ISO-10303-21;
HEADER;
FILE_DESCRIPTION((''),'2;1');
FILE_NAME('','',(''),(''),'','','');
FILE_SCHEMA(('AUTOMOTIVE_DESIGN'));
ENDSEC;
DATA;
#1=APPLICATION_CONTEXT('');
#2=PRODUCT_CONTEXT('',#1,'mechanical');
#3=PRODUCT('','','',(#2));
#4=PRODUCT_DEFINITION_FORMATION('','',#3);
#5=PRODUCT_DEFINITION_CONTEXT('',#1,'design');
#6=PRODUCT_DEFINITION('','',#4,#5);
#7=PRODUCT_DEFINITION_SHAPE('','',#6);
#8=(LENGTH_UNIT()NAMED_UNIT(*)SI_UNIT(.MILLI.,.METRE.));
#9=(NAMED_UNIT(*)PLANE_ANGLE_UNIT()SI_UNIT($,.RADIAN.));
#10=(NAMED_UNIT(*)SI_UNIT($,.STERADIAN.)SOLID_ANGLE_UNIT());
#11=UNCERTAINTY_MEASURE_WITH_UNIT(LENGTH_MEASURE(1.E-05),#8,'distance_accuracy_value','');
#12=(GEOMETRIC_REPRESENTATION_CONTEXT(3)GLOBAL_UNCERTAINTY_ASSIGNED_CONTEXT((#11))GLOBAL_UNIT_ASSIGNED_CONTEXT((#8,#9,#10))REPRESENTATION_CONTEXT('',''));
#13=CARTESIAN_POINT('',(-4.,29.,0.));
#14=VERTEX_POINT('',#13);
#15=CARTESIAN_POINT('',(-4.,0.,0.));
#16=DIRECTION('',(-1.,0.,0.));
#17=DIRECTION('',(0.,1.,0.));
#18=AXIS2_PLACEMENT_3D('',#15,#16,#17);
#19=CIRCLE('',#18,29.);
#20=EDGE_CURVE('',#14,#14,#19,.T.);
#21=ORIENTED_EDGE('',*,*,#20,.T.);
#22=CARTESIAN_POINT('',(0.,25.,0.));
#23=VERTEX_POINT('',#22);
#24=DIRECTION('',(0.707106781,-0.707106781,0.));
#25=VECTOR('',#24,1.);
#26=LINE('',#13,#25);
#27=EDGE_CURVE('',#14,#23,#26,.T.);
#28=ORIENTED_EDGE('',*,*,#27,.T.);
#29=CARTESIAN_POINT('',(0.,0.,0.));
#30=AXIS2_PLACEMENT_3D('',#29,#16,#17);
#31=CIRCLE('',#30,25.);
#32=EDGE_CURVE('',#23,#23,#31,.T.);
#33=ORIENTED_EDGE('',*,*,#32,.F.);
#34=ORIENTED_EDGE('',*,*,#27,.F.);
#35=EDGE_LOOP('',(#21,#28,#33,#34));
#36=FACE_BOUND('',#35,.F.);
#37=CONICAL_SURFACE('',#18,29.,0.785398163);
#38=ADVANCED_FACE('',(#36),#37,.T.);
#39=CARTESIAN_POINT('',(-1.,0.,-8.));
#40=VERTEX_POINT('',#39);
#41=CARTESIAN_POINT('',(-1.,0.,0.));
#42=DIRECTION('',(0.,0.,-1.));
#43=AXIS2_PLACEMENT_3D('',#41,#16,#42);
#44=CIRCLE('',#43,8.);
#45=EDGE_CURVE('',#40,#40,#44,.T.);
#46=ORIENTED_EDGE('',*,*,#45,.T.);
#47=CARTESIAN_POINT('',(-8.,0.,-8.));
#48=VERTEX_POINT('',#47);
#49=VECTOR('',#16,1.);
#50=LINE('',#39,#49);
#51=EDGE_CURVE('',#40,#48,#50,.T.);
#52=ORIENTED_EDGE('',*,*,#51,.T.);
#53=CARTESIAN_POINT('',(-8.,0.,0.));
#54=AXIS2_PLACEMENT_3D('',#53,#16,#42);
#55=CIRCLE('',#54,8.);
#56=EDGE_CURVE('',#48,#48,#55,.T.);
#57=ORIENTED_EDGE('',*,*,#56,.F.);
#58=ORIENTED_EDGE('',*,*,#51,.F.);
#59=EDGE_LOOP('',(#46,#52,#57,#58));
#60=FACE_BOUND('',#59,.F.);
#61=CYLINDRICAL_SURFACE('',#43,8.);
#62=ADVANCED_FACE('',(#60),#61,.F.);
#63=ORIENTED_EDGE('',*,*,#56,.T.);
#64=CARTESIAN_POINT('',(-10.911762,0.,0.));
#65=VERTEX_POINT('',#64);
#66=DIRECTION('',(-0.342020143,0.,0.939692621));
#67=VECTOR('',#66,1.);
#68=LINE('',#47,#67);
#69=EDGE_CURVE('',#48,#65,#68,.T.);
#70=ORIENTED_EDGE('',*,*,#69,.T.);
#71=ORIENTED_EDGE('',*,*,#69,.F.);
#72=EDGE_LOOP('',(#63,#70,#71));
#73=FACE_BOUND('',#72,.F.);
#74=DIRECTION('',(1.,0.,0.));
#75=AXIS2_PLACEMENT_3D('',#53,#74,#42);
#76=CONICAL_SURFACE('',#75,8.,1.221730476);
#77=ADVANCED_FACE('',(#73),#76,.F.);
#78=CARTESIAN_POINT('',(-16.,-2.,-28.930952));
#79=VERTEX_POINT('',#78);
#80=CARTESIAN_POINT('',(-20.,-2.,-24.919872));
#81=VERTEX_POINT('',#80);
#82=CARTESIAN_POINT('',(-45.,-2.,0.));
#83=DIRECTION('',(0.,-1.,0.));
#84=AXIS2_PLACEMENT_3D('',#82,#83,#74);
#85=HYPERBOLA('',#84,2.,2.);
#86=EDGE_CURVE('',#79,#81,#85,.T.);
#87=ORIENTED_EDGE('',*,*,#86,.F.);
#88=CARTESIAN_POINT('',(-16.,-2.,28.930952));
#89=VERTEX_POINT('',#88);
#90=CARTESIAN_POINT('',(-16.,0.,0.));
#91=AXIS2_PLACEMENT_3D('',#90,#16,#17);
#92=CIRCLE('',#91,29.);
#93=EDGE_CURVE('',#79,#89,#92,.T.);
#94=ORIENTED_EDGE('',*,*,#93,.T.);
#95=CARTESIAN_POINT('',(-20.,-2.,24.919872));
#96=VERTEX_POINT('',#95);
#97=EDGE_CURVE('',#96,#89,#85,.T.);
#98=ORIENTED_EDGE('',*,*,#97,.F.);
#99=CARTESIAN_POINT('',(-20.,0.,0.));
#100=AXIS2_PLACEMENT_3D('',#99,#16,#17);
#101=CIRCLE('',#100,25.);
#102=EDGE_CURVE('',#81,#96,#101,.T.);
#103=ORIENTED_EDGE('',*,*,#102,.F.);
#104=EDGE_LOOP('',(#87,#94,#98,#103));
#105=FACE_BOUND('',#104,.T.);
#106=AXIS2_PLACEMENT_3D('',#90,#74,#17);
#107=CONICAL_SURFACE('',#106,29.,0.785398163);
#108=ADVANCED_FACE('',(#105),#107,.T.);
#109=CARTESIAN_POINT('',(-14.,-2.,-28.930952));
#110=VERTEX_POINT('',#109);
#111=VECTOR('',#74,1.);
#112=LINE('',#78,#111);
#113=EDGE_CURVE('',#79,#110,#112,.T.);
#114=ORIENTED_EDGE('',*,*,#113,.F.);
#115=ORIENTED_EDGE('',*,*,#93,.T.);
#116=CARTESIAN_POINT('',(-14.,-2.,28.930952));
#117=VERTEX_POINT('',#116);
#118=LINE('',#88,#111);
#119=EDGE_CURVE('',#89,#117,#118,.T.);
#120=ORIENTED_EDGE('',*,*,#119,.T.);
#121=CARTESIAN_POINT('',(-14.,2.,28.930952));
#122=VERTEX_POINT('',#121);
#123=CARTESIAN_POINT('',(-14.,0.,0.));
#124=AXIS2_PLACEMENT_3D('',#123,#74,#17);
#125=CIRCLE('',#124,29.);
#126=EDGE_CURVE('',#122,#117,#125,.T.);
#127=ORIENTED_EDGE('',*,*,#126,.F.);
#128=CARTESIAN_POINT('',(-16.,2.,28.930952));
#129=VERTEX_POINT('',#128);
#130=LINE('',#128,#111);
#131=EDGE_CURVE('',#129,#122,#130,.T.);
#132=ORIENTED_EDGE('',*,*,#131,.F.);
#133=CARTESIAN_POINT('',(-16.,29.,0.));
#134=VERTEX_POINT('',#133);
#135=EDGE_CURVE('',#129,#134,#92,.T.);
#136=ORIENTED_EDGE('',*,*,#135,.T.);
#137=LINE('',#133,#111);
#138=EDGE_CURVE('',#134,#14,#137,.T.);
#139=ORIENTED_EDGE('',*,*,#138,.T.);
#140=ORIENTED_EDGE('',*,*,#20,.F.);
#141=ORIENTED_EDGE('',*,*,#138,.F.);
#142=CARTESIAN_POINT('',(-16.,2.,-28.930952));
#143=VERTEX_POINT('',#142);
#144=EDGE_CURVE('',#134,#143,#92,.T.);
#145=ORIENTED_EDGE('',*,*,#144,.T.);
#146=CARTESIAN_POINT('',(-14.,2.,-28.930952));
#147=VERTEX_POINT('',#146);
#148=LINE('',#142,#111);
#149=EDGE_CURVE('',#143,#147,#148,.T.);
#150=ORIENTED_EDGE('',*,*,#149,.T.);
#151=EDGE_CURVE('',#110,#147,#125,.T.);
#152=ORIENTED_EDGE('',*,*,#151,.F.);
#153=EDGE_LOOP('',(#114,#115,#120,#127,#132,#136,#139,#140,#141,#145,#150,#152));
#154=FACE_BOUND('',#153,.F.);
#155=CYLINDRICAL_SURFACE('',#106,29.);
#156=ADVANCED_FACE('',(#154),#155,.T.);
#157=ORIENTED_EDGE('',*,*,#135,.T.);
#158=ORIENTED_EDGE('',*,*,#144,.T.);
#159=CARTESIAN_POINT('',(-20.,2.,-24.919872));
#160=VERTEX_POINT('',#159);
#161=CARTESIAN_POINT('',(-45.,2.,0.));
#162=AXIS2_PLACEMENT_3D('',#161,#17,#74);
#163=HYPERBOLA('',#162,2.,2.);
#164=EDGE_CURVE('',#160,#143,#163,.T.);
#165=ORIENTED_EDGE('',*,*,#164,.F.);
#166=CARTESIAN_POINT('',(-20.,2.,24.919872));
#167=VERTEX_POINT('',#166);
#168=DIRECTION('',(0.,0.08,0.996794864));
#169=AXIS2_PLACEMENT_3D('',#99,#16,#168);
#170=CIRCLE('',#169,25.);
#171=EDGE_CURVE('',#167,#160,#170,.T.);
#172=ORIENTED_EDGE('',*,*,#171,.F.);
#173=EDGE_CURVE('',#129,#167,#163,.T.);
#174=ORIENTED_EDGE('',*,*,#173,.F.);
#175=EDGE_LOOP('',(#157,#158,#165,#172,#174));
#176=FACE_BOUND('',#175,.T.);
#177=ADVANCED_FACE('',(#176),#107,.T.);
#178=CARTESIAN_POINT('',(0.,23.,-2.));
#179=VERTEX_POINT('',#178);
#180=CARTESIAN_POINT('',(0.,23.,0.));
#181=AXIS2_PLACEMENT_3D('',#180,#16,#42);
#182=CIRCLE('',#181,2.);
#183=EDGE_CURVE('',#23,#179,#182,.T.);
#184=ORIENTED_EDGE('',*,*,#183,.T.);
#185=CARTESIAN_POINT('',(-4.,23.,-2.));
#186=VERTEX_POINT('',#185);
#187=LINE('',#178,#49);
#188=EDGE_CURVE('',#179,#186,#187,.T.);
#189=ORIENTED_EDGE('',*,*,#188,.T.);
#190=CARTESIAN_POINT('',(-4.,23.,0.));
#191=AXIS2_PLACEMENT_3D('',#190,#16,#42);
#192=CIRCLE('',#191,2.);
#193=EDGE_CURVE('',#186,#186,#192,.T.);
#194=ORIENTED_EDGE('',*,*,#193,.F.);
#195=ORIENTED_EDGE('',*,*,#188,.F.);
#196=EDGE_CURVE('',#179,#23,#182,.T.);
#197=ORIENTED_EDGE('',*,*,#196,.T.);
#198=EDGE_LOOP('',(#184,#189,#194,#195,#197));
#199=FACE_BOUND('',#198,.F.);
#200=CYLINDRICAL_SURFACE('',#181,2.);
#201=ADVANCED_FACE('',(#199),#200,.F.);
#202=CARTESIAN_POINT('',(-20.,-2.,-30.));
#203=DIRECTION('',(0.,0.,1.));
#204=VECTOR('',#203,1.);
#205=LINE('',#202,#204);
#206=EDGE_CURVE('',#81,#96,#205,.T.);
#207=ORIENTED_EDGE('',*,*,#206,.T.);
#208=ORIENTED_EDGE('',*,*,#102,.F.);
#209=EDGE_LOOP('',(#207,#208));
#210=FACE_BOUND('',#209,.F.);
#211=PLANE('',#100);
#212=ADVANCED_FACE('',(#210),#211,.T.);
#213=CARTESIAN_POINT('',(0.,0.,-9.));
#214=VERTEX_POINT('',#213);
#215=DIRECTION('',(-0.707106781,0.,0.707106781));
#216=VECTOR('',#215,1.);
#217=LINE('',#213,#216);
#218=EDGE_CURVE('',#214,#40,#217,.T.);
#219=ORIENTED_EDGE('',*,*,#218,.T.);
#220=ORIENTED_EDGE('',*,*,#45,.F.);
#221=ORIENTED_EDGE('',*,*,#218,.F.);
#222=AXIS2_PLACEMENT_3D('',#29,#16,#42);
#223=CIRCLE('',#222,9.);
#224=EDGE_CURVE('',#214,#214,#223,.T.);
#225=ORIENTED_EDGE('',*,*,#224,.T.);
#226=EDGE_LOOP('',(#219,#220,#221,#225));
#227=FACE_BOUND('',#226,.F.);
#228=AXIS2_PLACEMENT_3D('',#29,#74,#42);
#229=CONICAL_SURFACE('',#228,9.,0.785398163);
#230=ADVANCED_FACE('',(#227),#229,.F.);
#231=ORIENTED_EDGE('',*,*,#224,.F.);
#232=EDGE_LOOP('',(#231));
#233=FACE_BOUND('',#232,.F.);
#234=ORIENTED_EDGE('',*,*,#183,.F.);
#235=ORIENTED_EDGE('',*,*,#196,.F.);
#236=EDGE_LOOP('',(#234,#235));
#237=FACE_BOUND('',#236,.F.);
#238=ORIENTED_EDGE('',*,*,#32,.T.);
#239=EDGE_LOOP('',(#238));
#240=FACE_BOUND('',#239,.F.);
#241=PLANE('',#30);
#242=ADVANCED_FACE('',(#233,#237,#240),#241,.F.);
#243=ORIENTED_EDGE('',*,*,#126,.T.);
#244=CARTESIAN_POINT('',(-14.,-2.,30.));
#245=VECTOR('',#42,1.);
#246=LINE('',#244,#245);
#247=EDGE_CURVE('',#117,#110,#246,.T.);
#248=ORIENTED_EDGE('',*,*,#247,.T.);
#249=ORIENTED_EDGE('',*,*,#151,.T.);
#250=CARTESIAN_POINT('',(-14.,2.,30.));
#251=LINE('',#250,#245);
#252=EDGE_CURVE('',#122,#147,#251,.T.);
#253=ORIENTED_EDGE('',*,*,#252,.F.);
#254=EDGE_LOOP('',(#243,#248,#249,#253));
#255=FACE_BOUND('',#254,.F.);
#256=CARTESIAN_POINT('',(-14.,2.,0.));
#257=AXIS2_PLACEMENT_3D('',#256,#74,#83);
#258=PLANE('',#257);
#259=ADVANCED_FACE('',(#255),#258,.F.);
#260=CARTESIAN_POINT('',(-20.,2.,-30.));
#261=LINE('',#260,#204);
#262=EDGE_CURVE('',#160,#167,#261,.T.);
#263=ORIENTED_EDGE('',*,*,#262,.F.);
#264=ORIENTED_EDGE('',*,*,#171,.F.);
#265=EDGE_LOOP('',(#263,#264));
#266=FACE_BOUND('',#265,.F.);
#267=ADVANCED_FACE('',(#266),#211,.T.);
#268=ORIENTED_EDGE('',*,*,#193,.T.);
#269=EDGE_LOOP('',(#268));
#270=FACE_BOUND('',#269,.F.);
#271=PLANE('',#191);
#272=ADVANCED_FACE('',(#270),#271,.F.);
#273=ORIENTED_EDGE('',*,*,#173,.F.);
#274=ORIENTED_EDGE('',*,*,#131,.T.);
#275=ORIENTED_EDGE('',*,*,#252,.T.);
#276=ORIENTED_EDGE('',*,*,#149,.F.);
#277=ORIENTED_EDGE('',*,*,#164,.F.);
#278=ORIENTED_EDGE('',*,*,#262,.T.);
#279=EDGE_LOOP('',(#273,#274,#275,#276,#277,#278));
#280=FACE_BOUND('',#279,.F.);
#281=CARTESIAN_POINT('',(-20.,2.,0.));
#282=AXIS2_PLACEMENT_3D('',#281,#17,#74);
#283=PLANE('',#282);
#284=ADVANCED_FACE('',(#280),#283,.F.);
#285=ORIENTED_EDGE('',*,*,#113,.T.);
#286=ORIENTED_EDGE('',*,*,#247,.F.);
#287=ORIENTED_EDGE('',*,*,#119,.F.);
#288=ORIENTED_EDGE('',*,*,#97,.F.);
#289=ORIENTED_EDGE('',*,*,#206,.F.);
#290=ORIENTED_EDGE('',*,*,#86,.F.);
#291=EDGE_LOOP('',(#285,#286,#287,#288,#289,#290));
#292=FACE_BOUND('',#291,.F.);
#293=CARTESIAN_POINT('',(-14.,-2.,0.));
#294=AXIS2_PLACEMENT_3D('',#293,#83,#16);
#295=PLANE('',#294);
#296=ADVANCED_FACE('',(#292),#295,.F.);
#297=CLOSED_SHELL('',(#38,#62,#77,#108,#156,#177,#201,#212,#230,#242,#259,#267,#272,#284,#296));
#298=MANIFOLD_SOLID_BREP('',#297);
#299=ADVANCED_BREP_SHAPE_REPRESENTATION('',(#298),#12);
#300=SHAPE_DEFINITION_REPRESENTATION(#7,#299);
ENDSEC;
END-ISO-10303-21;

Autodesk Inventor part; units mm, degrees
ref_plane "YZ Plane" through (0, 0, 0) normal (1, 0, 0) x (0, 1, 0)
ref_plane "XZ Plane" through (0, 0, 0) normal (0, 1, 0) x (-1, 0, 0)
ref_plane "XY Plane" through (0, 0, 0) normal (0, 0, 1) x (1, 0, 0)
sketch "Эскиз5" plane through (0, 0, 0) normal (0, 0, 1) x (1, 0, 0)
  line L0 (0, 0) -> (-20, 0)
  line L1 (-20, 0) -> (-20, 25)
  line L2 (-16, 29) -> (-4, 29)
  line L3 (0, 25) -> (0, 0)
  line L4 (-4, 29) -> (0, 25)
  line L5 (-16, 29) -> (-20, 25)
  point P0 (-20, 29)
  point P1 (0, 29)
  dimension "d35" = 20
  dimension "d36" = 29
  dimension "d37" = 4
  dimension "d38" = 4
  dimension "d39" = 4
  dimension "d40" = 4
revolve "Вращение3" add sketch "Эскиз5" angle 360 about axis through (0, 0, 0) along (-1, 0, 0)
sketch "Эскиз6" plane through (0, 0, 0) normal (1, 0, 0) x (0, 0, -1)
  line L0 (0, 0) -> (0, 23) construction
  dimension "d42" = 23
hole "Отверстие2" at (0, 23, 0) direction (-1, 0, 0) diameter 4 depth 4
sketch "Эскиз7" plane through (0, 0, 0) normal (1, 0, 0) x (0, 0, -1)
  point P0 (0, 0)
  point P1 (0, 0)
hole "Отверстие3" at (0, 0, 0) direction (-1, 0, 0) diameter 16 depth 8 tip angle 140 countersink diameter 18 countersink angle 90
sketch "Эскиз8" plane through (0, 0, 0) normal (0, 0, 1) x (1, 0, 0)
  line L0 (-20, -25) -> (-20, 25) construction
  line L1 (-20, 2) -> (-14, 2)
  line L2 (-14, 2) -> (-14, -2)
  line L3 (-14, -2) -> (-20, -2)
  line L4 (-20, -2) -> (-20, 2)
  point P0 (0, 0)
  point P1 (-20, 0)
  point P2 (-20, 0)
  dimension "d57" = 6
  dimension "d58" = 4
extrude "Выдавливание2" cut sketch "Эскиз8" along normal through all both and the other way through all
thread "Резьба3" size "M16x2" class "6H" standard "ANSI Metric M Profile" full length
equation "\"d38\" = d37"
equation "\"d39\" = d37"
equation "\"d40\" = d39"
properties part number "711137"
